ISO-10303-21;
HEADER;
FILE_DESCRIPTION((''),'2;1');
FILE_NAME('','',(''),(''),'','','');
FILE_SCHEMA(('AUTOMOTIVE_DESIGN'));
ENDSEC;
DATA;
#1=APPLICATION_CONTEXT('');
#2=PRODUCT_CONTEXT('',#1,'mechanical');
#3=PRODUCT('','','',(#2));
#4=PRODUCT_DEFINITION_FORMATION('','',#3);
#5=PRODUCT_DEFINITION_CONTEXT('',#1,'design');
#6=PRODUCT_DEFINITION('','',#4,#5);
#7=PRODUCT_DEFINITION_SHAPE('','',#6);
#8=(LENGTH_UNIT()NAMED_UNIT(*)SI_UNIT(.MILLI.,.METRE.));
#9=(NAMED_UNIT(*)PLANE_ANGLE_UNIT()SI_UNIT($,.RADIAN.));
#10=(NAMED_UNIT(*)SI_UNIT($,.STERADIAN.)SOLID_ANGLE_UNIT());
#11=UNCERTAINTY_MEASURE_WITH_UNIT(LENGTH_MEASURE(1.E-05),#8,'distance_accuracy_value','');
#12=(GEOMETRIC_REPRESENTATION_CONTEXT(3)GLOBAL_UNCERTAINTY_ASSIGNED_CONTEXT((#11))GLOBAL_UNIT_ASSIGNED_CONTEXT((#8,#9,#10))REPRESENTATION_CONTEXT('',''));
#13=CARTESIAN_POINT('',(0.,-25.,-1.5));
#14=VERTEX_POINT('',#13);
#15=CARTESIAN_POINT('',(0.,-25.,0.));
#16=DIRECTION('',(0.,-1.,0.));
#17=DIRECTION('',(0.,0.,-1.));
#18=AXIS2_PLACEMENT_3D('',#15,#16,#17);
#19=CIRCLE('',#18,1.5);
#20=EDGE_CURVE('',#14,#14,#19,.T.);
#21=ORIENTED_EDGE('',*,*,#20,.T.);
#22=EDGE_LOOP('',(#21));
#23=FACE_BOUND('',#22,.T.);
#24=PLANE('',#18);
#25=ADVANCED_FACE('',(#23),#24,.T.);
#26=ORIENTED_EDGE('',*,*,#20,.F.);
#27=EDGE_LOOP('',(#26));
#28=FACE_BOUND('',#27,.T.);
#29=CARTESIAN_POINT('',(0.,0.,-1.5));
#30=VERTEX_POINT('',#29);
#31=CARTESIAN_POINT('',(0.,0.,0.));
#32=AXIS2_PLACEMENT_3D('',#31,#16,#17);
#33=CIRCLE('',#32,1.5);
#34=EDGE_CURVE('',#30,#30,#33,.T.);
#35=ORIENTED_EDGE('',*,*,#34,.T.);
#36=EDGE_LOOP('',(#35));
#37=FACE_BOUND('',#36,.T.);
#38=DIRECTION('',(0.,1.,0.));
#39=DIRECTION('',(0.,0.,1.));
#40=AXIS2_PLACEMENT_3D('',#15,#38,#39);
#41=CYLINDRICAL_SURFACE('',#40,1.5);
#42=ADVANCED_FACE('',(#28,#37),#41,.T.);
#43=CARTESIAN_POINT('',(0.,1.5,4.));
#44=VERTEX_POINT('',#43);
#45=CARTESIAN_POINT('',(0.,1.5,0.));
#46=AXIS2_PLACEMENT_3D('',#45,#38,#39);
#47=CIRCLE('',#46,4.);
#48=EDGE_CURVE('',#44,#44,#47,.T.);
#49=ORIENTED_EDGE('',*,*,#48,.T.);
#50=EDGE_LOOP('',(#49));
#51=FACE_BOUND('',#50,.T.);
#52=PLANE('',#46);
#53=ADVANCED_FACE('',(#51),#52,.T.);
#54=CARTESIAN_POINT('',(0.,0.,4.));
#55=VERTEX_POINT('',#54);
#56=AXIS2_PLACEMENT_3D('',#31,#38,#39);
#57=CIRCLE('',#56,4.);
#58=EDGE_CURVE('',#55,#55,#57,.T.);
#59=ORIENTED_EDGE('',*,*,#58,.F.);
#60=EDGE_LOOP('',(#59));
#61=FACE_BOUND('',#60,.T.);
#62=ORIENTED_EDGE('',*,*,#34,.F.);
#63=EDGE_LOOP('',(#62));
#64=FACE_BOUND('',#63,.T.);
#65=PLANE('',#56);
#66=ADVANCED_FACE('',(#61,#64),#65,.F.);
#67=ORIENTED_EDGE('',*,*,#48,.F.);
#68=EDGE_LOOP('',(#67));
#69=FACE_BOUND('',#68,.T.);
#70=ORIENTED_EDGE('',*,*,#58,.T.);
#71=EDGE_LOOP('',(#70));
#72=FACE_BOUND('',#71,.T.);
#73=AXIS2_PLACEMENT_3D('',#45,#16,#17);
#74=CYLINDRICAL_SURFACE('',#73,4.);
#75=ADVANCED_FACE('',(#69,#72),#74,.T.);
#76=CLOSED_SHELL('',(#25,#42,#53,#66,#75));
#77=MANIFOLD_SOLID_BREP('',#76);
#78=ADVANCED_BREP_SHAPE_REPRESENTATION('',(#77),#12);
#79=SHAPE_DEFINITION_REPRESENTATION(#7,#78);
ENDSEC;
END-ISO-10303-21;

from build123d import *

# Parameters (mm, degrees)
SKETCH1_R           = 4
BOSS_EXTRUDE1_DEPTH = 1.5
SKETCH5_R           = 1.5
BOSS_EXTRUDE3_DEPTH = 25


with BuildPart() as part:
    # Sketch1 → Boss-Extrude1 (new body)
    with BuildSketch(Plane(origin=(0, 0, 0), x_dir=(1, 0, 0), z_dir=(0, 1, 0))):
        Circle(SKETCH1_R)
    extrude(amount=BOSS_EXTRUDE1_DEPTH)

    # Sketch5 → Boss-Extrude3 (add)
    with BuildSketch(Plane(origin=(0, 0, 0), x_dir=(-1, 0, 0), z_dir=(0, -1, 0))):
        Circle(SKETCH5_R)
    extrude(amount=BOSS_EXTRUDE3_DEPTH)


solid = part.part
